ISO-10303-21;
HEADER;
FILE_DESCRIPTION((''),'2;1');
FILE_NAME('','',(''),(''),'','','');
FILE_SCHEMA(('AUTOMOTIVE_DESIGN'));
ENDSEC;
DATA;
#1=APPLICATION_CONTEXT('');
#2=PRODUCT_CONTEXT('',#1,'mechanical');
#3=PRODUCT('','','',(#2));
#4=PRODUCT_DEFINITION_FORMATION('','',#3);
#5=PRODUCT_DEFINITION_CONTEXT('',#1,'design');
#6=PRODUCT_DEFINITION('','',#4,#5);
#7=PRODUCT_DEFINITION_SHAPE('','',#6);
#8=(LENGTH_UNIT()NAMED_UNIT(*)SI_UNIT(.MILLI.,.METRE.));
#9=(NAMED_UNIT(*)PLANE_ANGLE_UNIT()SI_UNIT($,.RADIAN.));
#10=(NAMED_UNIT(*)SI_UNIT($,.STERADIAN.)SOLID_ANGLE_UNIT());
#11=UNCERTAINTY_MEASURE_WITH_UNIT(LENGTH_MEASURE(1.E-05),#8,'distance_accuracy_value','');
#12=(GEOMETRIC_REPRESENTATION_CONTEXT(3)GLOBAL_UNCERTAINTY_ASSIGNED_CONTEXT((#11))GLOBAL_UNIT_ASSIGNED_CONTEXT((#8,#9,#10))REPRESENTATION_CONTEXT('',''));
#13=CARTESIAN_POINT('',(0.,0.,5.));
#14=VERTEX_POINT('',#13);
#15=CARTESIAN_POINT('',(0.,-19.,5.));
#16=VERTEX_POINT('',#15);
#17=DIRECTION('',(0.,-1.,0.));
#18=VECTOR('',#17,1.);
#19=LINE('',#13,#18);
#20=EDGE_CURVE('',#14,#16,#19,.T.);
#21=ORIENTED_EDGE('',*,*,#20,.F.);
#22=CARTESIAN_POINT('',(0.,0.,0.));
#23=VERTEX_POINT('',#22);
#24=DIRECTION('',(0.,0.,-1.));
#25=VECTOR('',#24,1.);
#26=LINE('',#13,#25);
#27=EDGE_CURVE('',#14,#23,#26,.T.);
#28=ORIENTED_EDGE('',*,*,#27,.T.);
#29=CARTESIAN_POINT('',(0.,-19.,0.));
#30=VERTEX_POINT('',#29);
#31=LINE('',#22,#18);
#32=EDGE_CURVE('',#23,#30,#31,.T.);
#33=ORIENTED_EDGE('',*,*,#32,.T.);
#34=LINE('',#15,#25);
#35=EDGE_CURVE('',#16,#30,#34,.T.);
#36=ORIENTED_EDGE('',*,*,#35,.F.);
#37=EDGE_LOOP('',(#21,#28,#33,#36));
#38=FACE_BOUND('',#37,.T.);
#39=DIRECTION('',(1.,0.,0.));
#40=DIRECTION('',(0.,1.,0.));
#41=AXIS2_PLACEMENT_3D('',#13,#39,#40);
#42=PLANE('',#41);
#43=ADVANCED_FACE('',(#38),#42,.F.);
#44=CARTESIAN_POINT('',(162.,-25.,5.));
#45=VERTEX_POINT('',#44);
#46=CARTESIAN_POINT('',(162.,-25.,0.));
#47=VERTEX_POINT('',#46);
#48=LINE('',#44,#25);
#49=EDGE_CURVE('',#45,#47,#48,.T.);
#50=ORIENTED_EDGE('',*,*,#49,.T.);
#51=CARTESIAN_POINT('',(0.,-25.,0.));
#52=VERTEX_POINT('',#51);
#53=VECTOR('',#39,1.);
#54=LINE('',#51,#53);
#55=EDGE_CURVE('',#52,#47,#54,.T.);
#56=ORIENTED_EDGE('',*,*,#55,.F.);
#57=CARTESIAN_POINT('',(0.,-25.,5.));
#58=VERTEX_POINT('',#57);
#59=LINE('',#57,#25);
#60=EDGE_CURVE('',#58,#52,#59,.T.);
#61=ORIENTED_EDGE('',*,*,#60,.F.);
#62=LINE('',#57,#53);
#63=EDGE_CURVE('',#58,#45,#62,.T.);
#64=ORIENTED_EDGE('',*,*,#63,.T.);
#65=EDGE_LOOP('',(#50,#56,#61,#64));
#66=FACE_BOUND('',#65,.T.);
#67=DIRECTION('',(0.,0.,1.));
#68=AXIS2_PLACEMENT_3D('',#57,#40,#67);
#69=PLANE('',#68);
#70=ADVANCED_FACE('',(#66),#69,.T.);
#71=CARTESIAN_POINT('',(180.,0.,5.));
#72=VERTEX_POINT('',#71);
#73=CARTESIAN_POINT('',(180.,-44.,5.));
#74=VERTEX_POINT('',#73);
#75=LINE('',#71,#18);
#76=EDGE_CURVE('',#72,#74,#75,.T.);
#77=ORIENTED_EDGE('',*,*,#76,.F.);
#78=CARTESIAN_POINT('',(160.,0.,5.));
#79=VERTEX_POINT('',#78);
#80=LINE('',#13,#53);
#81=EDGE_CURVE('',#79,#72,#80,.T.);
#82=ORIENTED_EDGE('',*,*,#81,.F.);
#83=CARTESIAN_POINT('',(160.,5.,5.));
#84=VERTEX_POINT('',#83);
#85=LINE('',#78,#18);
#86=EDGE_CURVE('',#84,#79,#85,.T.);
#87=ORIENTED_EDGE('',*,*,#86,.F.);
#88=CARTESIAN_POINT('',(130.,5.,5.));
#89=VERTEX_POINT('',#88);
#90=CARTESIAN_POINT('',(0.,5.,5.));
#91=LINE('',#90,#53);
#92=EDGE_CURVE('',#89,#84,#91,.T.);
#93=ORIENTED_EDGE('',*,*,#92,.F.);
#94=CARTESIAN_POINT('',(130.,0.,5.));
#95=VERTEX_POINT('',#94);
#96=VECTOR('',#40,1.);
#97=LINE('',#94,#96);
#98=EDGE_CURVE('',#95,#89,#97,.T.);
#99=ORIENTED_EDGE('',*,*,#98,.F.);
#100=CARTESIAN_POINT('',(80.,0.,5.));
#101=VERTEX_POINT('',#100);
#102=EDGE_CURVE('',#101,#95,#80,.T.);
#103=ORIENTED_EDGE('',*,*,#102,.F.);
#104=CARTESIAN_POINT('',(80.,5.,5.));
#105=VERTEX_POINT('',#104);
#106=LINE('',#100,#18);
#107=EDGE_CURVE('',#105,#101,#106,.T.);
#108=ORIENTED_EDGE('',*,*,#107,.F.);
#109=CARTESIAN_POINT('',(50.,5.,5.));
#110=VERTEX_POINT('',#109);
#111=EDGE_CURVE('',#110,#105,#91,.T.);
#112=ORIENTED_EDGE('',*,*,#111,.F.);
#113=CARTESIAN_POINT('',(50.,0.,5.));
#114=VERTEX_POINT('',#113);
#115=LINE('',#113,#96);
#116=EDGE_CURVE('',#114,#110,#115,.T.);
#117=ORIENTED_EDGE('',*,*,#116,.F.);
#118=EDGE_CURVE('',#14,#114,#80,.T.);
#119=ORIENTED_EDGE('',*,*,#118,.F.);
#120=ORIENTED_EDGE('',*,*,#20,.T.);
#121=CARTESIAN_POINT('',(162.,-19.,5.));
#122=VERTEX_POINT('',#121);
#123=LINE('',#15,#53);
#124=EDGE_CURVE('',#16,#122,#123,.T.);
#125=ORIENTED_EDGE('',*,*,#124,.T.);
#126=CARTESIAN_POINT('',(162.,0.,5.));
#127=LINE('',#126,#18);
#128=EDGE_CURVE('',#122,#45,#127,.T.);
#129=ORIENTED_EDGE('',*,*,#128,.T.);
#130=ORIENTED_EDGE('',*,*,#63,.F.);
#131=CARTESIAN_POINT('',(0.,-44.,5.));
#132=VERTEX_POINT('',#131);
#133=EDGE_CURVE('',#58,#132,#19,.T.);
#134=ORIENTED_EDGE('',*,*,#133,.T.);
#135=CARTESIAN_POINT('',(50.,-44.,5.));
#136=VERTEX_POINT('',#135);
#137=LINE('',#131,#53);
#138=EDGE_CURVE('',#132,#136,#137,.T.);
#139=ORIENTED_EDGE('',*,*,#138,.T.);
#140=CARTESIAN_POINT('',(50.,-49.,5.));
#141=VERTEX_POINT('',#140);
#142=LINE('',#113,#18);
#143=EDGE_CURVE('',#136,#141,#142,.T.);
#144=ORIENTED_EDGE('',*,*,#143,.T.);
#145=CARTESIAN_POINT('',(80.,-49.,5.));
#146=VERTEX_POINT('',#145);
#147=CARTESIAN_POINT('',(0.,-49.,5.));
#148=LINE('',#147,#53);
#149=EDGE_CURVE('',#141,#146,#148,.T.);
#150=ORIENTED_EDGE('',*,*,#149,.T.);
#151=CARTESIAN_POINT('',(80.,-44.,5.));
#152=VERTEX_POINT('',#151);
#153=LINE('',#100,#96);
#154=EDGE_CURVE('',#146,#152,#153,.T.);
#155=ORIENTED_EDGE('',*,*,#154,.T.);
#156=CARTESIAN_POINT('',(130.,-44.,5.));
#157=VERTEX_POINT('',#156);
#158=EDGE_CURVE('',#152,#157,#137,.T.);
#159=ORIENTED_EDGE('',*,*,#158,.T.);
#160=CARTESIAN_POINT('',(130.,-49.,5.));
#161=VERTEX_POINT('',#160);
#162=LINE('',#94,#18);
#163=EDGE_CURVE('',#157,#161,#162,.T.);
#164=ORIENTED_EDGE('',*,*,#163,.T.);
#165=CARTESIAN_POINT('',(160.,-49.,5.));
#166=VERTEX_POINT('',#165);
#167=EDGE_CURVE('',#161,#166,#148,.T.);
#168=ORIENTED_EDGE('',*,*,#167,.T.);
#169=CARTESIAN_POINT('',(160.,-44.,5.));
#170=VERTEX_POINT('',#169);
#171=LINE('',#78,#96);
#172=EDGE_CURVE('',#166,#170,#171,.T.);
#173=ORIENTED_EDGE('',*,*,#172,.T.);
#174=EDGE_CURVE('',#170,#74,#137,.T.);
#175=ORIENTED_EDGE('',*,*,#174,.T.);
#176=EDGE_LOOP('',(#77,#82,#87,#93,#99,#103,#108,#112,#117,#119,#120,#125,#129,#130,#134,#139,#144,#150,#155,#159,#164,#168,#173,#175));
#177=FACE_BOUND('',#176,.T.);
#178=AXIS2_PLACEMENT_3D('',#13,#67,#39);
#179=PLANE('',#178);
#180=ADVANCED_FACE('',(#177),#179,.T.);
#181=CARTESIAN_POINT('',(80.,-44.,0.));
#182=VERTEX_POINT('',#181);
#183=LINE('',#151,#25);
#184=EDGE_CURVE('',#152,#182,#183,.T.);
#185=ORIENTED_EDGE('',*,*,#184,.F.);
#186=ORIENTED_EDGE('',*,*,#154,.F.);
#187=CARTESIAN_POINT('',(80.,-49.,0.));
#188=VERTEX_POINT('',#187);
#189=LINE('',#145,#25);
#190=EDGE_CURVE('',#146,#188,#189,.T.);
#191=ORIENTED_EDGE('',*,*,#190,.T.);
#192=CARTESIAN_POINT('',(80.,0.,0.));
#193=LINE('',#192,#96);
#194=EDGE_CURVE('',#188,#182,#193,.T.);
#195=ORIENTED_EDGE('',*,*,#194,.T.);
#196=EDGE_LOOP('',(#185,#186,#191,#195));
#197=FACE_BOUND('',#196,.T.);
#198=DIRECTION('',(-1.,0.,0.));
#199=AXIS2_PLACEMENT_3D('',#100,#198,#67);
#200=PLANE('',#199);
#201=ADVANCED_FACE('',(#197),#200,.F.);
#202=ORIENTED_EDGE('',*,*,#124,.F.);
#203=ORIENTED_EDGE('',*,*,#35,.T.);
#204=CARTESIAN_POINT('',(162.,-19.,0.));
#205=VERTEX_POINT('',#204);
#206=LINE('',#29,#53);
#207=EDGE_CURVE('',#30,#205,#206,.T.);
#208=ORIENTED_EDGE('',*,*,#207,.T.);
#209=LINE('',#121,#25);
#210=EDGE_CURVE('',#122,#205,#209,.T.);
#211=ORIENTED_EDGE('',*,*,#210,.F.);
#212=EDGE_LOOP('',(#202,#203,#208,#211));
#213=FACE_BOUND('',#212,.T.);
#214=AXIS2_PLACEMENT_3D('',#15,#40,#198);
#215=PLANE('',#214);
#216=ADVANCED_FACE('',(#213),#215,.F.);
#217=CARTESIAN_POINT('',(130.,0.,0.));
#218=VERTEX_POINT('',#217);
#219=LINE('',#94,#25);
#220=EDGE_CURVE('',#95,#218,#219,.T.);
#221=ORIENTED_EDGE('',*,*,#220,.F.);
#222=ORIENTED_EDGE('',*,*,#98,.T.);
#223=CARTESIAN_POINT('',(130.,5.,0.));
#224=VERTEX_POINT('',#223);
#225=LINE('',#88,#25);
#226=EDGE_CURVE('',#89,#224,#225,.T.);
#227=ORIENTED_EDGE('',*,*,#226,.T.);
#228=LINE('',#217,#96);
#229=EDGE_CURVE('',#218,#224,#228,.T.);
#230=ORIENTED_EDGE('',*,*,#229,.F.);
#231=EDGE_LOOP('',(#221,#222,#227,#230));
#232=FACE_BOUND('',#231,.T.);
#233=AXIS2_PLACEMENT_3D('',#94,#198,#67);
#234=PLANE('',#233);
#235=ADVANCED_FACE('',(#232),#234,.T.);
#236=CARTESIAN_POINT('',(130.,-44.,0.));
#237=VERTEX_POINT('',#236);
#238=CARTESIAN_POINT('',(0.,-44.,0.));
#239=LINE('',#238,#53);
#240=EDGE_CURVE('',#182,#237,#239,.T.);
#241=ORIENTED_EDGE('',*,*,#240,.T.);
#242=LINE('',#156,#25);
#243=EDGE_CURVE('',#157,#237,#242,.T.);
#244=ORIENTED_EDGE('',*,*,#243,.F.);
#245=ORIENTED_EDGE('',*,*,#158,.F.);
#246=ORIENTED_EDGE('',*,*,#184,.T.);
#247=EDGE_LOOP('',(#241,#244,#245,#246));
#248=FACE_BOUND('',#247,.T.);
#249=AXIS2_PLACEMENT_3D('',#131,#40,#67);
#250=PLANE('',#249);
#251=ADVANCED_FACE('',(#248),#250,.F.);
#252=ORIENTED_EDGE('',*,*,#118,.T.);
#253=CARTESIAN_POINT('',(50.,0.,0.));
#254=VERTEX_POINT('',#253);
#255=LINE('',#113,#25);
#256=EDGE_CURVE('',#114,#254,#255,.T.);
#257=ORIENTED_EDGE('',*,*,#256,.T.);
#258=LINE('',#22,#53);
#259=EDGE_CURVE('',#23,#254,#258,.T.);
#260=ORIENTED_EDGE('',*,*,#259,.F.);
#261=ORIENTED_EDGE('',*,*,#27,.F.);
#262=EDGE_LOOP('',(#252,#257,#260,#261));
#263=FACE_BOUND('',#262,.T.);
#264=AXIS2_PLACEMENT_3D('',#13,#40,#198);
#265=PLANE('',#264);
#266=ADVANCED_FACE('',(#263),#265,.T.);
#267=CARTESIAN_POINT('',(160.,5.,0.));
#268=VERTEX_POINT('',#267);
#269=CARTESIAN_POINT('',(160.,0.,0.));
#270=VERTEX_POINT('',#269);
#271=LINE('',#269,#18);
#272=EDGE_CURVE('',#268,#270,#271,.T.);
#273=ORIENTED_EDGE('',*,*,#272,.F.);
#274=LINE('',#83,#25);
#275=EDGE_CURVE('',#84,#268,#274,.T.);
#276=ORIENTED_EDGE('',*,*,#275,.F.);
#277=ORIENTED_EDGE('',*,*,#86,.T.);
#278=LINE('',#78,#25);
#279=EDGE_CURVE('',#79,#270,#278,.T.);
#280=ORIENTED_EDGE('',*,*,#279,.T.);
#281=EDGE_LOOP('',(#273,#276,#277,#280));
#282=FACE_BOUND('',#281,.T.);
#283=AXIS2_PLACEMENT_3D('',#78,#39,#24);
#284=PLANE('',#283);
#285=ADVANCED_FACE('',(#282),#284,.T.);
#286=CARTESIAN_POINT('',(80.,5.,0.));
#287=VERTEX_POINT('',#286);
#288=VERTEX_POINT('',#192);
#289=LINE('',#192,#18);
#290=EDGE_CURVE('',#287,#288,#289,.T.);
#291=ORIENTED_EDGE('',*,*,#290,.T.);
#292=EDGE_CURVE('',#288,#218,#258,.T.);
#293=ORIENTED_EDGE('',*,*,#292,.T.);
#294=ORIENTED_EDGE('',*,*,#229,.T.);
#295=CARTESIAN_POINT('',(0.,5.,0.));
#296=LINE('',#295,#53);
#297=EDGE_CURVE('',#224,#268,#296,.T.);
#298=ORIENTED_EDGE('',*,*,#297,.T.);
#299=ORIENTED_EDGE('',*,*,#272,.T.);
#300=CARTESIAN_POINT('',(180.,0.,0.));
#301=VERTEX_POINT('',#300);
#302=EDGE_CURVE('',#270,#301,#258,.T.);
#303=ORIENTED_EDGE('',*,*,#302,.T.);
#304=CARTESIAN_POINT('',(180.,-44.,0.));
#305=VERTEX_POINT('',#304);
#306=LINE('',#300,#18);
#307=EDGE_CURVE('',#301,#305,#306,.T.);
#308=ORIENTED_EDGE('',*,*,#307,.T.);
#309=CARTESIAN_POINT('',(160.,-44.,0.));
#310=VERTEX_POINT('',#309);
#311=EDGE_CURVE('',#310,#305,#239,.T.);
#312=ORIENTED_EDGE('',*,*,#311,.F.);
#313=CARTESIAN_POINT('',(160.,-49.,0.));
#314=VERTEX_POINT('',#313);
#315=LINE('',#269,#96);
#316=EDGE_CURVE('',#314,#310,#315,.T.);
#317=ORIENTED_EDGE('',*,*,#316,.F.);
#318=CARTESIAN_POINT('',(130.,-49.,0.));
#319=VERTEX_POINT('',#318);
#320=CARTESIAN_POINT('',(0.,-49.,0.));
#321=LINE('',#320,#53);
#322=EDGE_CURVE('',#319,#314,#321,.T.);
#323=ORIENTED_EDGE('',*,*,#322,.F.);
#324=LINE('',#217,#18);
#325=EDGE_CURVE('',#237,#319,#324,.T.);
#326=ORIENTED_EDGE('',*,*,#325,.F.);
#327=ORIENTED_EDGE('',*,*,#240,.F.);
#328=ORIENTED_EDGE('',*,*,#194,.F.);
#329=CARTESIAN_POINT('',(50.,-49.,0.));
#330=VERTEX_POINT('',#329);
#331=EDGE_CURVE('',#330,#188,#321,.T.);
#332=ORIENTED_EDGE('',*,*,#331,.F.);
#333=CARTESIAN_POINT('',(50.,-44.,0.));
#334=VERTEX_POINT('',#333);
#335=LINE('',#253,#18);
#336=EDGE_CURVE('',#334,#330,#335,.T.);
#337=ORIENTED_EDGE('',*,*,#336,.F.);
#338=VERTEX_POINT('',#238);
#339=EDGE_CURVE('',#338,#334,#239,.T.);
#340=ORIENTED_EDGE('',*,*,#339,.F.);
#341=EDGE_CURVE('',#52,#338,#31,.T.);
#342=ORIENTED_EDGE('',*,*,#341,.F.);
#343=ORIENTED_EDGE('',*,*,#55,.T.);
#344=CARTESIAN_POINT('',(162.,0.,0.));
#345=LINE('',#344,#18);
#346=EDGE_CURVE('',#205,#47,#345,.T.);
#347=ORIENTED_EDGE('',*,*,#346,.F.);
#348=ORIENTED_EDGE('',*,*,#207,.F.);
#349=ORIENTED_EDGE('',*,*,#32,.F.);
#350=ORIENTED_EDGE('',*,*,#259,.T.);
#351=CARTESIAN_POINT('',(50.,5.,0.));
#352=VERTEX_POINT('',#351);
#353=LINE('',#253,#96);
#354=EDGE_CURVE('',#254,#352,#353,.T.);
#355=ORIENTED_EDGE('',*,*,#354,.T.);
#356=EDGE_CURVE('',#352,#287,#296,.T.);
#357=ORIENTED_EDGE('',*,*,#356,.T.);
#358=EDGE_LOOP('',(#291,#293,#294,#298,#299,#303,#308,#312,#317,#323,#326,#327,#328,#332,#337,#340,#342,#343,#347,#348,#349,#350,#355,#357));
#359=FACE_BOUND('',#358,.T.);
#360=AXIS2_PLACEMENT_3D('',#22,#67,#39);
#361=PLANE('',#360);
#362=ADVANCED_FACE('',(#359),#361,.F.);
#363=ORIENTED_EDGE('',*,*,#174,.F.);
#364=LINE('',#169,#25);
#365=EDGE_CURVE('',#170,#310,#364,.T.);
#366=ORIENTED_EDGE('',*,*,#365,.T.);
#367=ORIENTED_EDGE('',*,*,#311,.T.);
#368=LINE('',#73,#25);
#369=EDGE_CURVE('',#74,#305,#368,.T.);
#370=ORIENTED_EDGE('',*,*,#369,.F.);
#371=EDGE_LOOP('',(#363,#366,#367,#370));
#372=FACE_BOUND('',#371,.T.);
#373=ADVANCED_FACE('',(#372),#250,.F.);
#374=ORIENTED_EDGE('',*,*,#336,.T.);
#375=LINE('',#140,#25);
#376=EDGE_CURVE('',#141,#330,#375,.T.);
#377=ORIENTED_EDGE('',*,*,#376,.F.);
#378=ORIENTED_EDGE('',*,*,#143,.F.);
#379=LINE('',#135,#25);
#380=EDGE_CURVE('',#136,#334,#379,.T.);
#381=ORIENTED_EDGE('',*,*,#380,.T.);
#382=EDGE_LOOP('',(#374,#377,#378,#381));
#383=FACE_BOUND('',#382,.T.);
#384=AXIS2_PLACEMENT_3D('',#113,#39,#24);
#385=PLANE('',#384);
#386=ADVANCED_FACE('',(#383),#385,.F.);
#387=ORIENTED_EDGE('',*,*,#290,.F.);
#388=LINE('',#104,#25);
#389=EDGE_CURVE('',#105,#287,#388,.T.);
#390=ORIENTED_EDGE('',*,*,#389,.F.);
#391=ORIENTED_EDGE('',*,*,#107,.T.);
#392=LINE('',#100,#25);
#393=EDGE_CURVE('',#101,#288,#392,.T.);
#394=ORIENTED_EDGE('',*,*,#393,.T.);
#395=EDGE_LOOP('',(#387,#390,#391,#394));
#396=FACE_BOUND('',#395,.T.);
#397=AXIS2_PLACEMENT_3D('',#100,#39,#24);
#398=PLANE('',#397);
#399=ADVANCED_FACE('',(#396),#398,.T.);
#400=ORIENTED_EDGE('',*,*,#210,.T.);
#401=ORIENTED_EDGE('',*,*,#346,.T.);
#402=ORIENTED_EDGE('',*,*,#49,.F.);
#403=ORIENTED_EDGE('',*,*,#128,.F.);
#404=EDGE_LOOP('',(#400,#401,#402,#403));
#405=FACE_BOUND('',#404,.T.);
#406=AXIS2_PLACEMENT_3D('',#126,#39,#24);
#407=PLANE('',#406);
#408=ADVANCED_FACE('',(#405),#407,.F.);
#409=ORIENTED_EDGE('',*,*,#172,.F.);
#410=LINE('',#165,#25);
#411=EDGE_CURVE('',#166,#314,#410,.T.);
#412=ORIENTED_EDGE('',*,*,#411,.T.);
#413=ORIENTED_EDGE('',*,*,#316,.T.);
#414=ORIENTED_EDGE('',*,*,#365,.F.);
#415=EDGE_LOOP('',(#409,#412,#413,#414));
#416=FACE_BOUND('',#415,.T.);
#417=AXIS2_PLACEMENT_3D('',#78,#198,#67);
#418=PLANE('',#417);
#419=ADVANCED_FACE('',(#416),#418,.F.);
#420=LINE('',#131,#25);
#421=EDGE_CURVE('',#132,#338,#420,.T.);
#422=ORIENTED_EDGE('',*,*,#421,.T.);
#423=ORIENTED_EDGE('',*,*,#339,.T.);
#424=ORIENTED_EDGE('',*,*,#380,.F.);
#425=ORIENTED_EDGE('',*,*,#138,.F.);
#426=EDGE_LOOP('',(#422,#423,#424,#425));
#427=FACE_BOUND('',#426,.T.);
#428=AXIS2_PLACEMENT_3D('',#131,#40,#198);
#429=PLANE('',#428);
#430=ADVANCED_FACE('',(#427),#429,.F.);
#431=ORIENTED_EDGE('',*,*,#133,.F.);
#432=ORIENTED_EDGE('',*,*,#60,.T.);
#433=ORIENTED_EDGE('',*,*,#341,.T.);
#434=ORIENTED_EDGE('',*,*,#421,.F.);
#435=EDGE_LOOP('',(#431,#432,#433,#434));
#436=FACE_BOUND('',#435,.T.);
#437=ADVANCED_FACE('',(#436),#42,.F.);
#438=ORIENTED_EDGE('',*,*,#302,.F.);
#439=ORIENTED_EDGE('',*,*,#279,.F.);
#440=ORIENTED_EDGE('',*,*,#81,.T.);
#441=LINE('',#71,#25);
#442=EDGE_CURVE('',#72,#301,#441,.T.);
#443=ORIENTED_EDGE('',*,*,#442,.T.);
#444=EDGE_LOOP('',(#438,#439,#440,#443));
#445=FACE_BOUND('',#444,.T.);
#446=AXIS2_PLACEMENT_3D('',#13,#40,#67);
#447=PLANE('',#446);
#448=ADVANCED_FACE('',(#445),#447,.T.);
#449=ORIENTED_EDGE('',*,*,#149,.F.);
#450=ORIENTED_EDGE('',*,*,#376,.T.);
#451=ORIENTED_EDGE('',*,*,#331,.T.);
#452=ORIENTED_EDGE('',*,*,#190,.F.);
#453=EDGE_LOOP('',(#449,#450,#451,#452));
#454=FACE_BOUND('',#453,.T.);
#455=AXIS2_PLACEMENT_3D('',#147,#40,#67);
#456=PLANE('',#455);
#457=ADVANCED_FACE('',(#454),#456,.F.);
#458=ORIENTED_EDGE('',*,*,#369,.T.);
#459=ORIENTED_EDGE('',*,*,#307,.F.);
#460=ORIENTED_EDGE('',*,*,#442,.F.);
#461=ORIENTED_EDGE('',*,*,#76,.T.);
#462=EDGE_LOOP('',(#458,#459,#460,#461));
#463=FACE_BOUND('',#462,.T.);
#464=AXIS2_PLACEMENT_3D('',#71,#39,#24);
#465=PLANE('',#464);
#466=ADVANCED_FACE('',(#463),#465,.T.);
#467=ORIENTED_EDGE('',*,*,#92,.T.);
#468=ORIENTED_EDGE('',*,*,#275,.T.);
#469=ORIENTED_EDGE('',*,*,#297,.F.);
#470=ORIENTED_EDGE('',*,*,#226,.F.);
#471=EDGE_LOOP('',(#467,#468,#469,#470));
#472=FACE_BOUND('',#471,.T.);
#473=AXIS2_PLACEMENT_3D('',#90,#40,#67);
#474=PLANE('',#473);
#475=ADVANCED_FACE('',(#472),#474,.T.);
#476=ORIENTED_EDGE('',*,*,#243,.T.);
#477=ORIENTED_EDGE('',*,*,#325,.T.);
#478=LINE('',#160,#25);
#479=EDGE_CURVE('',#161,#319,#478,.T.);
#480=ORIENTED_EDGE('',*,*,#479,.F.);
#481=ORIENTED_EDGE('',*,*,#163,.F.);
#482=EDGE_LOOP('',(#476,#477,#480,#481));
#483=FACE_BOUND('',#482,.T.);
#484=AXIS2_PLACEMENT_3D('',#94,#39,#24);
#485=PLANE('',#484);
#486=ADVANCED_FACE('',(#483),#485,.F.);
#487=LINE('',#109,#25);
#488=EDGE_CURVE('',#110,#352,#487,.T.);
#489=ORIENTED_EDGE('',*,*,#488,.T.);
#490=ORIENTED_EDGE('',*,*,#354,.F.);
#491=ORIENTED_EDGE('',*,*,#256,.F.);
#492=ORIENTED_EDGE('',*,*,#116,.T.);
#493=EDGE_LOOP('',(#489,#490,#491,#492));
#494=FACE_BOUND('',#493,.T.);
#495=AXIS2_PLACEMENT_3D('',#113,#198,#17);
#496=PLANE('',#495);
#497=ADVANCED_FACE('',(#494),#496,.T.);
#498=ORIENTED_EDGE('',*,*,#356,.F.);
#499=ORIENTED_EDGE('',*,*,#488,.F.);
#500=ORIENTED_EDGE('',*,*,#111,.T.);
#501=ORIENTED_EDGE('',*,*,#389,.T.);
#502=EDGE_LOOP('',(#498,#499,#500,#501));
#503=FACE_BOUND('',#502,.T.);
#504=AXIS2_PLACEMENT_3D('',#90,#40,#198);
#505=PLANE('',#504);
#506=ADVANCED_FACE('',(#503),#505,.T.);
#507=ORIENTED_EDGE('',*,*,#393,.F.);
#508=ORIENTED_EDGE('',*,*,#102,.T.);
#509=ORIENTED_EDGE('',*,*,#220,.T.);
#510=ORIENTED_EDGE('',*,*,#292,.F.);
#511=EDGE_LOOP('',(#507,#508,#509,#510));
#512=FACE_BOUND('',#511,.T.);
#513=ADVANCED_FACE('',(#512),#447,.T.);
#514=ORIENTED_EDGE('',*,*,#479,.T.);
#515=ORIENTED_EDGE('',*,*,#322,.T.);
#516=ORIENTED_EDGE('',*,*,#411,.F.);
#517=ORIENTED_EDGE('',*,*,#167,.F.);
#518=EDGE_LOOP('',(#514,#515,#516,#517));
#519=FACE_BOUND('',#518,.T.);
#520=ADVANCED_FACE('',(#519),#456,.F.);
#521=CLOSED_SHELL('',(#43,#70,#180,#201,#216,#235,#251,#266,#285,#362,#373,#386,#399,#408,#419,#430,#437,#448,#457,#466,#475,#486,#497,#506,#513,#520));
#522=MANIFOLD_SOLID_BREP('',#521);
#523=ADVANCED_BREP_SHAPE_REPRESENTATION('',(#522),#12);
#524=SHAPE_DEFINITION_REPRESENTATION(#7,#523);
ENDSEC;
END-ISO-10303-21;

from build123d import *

# Parameters (mm, degrees)
RESSALTO_EXTRUS_O1_DEPTH = 5


with BuildPart() as part:
    # Esboço1 → Ressalto-extrusão1 (new body)
    with BuildSketch(Plane.XY):
        Polygon((0, -25), (0, -44), (50, -44), (50, -49), (80, -49), (80, -44), (130, -44), (130, -49), (160, -49), (160, -44), (180, -44), (180, -22), (162, -22), (162, -25), align=None)
        Polygon((0, 0), (0, -19), (162, -19), (162, -22), (180, -22), (180, 0), (160, 0), (160, 5), (130, 5), (130, 0), (80, 0), (80, 5), (50, 5), (50, 0), align=None)
    extrude(amount=RESSALTO_EXTRUS_O1_DEPTH)


solid = part.part
